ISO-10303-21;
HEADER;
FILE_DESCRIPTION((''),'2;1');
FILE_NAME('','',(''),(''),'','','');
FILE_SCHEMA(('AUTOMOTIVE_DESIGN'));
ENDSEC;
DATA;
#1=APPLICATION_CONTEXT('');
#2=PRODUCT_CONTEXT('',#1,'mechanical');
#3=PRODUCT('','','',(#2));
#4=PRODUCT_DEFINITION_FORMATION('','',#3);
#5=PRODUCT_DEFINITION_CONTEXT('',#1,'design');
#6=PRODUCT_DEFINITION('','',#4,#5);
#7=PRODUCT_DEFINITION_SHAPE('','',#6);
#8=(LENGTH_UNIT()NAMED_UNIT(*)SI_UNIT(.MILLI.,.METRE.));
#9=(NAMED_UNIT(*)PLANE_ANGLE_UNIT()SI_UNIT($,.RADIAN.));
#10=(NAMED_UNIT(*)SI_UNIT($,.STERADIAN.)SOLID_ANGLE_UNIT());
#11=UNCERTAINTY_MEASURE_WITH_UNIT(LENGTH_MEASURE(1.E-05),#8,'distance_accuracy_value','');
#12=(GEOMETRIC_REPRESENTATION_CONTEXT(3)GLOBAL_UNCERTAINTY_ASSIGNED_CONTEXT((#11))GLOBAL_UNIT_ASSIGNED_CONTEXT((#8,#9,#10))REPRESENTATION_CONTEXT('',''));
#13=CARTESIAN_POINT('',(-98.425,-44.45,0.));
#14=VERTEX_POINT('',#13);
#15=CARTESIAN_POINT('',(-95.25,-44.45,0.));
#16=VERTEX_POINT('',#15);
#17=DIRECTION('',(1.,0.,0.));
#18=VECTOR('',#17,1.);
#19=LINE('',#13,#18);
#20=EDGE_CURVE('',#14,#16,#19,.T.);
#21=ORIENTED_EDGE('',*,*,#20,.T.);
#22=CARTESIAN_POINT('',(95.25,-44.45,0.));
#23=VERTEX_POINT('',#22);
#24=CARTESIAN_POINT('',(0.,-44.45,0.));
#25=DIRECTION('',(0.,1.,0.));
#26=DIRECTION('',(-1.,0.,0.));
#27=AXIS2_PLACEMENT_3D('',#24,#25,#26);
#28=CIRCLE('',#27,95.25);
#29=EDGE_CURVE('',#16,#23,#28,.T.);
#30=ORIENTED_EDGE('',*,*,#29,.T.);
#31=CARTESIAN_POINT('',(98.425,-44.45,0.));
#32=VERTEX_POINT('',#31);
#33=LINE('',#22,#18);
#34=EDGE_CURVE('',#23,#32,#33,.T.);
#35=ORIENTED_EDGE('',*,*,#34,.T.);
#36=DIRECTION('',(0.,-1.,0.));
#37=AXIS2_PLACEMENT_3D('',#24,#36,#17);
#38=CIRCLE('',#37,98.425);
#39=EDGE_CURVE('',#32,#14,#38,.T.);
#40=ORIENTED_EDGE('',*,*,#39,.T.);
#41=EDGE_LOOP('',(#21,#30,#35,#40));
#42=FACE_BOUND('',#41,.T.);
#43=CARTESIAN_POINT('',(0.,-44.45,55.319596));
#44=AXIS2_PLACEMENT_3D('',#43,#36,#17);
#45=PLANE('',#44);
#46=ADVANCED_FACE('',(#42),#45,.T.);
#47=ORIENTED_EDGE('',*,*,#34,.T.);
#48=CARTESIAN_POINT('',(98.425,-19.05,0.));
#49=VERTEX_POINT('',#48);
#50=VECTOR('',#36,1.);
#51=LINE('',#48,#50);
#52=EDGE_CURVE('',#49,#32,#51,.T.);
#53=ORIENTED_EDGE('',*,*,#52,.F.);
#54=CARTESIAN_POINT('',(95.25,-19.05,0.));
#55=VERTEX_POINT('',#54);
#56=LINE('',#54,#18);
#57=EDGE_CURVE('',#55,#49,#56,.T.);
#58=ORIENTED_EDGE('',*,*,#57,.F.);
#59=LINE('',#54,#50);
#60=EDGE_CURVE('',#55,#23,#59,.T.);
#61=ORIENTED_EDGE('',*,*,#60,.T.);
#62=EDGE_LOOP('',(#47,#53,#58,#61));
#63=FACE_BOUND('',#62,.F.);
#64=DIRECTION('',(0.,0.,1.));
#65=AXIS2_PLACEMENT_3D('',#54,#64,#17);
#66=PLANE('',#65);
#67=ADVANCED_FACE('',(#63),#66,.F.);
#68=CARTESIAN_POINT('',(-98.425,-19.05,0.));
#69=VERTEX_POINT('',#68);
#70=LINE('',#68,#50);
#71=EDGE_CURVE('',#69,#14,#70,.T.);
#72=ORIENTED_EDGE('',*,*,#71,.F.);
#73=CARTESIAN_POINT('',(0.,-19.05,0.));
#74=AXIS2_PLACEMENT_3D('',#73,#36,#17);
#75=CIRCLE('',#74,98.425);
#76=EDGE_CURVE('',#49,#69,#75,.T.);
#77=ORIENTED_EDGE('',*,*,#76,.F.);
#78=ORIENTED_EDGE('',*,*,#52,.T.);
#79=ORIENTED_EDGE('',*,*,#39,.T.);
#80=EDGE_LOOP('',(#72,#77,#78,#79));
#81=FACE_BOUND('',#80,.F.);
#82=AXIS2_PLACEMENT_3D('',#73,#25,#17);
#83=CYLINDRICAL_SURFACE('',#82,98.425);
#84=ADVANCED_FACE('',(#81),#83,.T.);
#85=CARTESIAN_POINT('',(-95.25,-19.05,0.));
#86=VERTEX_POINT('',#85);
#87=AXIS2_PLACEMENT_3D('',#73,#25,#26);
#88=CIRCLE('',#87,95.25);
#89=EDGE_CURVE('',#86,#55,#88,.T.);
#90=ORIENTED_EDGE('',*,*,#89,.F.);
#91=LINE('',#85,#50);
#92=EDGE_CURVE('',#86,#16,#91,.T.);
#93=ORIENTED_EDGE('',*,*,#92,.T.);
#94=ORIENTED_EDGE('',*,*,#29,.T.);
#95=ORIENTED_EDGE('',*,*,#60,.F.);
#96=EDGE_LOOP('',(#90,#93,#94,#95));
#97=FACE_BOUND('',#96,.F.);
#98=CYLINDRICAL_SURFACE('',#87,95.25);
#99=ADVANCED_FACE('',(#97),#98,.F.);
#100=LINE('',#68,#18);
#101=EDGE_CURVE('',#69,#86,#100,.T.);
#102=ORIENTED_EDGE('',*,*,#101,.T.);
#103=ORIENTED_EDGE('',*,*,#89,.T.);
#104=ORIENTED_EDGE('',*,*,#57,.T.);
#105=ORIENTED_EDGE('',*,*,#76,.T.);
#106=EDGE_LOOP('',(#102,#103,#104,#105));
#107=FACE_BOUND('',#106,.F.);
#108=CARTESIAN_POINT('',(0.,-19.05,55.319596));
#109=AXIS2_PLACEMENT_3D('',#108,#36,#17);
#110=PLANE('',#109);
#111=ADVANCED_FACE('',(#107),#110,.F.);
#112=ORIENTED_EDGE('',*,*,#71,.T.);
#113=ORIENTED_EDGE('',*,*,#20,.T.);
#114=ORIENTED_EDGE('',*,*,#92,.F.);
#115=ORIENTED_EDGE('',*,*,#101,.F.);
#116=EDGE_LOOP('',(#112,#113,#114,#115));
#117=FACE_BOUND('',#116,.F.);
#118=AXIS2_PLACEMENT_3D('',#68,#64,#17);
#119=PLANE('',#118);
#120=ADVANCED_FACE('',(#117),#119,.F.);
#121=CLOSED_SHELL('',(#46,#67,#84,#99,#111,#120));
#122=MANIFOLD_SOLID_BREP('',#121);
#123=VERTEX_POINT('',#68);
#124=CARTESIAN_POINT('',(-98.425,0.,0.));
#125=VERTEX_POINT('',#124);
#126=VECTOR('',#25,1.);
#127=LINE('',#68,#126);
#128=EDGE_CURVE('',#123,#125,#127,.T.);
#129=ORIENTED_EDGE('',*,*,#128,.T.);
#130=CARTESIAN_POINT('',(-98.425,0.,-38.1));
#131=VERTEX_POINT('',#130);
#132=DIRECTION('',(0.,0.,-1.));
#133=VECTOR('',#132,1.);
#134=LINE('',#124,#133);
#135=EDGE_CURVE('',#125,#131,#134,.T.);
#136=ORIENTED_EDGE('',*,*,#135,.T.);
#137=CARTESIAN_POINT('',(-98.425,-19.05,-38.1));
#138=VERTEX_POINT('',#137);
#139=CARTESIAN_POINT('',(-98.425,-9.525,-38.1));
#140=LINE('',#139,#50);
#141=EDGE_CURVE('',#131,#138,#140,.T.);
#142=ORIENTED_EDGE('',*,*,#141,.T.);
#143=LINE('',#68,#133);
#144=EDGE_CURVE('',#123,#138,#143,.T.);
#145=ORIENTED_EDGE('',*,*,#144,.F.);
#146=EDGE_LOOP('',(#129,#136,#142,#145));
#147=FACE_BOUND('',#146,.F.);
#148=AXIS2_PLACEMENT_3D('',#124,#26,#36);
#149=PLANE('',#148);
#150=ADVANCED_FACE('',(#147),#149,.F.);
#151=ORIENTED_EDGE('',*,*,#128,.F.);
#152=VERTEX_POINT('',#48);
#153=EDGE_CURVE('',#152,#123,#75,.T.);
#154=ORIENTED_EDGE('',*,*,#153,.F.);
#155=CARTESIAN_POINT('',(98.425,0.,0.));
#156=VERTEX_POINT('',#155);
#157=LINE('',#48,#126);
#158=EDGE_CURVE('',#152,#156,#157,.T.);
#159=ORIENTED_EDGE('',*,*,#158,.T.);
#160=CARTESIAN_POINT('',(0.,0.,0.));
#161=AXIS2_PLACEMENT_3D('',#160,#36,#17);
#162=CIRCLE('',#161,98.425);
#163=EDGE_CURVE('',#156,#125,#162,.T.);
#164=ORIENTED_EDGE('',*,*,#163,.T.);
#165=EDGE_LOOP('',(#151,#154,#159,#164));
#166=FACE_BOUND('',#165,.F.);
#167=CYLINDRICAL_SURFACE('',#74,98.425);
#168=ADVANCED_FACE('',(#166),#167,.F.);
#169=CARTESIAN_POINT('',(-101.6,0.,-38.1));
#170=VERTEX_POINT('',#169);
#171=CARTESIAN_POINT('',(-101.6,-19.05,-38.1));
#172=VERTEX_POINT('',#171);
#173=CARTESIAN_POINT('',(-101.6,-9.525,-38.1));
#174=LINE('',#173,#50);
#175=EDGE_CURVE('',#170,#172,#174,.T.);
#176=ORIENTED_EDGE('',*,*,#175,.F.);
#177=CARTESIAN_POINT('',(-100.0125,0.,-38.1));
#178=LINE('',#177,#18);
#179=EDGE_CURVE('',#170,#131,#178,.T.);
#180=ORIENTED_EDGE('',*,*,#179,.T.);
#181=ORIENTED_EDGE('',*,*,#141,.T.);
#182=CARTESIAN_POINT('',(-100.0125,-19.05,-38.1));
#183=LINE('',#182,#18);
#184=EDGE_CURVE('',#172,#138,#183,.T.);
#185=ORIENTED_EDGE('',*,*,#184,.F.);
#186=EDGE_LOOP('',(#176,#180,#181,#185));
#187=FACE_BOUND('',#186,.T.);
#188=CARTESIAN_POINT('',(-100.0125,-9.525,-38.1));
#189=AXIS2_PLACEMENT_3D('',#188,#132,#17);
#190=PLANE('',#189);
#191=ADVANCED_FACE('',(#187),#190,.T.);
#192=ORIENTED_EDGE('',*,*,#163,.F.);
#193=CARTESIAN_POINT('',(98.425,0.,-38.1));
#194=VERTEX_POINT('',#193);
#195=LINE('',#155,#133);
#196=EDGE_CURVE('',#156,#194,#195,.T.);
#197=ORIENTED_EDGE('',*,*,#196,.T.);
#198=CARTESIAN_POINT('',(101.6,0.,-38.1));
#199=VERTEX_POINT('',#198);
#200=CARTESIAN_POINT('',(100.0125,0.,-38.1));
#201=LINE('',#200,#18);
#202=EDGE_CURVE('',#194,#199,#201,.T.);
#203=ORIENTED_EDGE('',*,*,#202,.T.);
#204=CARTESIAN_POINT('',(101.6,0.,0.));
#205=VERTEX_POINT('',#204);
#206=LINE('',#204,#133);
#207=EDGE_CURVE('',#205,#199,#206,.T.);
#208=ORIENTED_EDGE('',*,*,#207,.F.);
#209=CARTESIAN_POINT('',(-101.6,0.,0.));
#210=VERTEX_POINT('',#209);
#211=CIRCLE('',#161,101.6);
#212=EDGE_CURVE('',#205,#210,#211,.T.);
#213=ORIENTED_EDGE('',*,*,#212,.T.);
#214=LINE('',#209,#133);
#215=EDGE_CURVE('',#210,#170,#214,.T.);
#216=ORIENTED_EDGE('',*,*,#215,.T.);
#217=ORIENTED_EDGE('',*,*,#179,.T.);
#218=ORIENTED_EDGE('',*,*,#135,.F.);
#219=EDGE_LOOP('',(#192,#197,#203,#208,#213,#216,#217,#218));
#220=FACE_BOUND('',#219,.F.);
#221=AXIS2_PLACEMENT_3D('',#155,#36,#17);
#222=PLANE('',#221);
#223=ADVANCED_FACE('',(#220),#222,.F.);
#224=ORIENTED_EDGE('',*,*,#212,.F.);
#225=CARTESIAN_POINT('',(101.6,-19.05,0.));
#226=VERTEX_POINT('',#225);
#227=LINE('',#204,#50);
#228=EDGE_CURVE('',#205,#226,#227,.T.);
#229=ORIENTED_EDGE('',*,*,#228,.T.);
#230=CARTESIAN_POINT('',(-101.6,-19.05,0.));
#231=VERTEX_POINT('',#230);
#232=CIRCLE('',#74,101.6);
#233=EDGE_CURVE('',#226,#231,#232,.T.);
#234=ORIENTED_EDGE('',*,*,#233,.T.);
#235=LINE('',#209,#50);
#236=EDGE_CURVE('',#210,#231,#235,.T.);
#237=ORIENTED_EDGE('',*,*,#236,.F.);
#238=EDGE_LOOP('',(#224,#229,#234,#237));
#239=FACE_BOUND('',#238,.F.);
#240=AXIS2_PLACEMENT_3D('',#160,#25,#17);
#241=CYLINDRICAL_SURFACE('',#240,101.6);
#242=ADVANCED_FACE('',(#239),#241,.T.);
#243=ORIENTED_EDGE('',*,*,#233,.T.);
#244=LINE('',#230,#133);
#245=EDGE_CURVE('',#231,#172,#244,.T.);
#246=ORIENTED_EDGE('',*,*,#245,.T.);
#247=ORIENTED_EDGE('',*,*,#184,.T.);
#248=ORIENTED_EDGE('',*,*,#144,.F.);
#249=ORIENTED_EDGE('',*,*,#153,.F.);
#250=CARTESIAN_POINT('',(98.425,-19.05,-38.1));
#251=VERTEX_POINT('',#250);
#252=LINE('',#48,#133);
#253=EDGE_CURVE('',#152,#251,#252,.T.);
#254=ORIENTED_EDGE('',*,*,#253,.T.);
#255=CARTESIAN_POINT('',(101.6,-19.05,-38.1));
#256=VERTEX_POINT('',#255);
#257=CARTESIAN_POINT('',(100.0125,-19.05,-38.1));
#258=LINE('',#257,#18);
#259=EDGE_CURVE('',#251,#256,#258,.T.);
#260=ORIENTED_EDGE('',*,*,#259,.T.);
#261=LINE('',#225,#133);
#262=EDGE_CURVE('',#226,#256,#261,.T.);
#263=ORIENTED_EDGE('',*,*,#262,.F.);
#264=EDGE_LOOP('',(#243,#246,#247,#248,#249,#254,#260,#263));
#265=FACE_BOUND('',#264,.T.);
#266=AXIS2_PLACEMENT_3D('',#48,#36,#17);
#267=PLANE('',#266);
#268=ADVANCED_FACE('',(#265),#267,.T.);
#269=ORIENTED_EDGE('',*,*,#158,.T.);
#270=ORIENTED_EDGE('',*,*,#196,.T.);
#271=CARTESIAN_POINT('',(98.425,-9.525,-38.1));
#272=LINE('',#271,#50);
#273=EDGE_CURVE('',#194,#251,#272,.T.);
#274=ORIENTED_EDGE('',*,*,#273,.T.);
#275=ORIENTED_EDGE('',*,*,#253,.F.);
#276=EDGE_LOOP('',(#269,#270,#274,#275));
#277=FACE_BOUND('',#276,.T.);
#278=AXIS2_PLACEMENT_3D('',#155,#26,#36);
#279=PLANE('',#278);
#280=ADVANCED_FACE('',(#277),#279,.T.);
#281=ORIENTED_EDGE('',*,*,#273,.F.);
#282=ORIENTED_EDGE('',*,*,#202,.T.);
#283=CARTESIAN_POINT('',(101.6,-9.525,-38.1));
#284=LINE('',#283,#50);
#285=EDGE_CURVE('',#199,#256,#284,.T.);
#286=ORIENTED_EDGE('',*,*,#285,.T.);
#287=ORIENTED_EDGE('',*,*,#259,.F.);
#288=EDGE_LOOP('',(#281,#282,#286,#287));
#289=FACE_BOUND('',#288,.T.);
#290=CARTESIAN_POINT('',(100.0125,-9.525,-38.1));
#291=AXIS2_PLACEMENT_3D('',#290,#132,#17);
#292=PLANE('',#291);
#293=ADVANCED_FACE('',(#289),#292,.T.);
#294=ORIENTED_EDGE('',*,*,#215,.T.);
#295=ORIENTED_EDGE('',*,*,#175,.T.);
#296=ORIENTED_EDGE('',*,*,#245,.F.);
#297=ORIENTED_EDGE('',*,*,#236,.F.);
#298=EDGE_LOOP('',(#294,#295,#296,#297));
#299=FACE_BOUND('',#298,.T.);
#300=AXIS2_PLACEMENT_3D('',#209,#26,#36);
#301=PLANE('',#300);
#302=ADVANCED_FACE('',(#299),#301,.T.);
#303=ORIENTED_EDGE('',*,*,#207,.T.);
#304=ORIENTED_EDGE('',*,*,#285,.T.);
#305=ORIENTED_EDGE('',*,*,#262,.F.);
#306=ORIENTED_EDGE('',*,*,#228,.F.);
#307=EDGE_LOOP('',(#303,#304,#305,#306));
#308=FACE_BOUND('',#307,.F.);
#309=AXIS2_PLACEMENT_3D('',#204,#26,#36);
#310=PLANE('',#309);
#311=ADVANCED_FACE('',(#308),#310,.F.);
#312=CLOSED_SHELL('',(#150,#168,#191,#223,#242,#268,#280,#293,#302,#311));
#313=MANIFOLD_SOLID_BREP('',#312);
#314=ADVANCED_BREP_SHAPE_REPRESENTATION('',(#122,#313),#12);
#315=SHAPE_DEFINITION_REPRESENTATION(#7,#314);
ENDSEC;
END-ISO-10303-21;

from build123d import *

# Parameters (mm, degrees)
F1_DEPTH  = 19.05
F3_DEPTH  = 25.4
F5_DEPTH  = 25.4
F6_W      = 3.175
F6_H      = 19.05
F7_DEPTH  = 38.1
F8_W      = 3.175
F8_H      = 19.05
F9_DEPTH  = 38.1
F10_DEPTH = 25.4


with BuildPart() as f1:
    # F0 (on Front) → F1 (new body)
    with BuildSketch(Plane.XZ):
        with BuildLine():
            Line((-101.6, 0), (101.6, 0))
            ThreePointArc((101.6, 0), (0, 101.6), (-101.6, 0))
        make_face()
    extrude(amount=F1_DEPTH)

    # F2 (on face) → F3 (cut)
    with BuildSketch(Plane.XZ.offset(19.05)):
        with BuildLine():
            Line((-95.25, 0), (95.25, 0))
            ThreePointArc((95.25, 0), (0, 95.25), (-95.25, 0))
        make_face()
    extrude(amount=-F3_DEPTH, mode=Mode.SUBTRACT)

    # F4 (on face) → F5 (cut)
    with BuildSketch(Plane.XZ.offset(19.05)):
        with BuildLine():
            Line((95.25, 0), (98.425, 0))
            ThreePointArc((98.425, 0), (0, 98.425), (-98.425, 0))
            Line((-98.425, 0), (-95.25, 0))
            ThreePointArc((-95.25, 0), (0, 95.25), (95.25, 0))
        make_face()
    extrude(amount=-F5_DEPTH, mode=Mode.SUBTRACT)

    # F6 (on face) → F7 (join)
    with BuildSketch(Plane(origin=(0, 0, 0), x_dir=(1, 0, 0), z_dir=(0, 0, -1))):
        with Locations((-100.0125, 9.525)):
            Rectangle(F6_W, F6_H)
    extrude(amount=F7_DEPTH)

    # F8 (on face) → F9 (join)
    with BuildSketch(Plane(origin=(0, 0, 0), x_dir=(1, 0, 0), z_dir=(0, 0, -1))):
        with Locations((100.0125, 9.525)):
            Rectangle(F8_W, F8_H)
    extrude(amount=F9_DEPTH)

    # F4 (on face) → F10 (join)
    with BuildSketch(Plane.XZ.offset(19.05)):
        with BuildLine():
            Line((95.25, 0), (98.425, 0))
            ThreePointArc((98.425, 0), (0, 98.425), (-98.425, 0))
            Line((-98.425, 0), (-95.25, 0))
            ThreePointArc((-95.25, 0), (0, 95.25), (95.25, 0))
        make_face()
    extrude(amount=F10_DEPTH)


solid = f1.part
